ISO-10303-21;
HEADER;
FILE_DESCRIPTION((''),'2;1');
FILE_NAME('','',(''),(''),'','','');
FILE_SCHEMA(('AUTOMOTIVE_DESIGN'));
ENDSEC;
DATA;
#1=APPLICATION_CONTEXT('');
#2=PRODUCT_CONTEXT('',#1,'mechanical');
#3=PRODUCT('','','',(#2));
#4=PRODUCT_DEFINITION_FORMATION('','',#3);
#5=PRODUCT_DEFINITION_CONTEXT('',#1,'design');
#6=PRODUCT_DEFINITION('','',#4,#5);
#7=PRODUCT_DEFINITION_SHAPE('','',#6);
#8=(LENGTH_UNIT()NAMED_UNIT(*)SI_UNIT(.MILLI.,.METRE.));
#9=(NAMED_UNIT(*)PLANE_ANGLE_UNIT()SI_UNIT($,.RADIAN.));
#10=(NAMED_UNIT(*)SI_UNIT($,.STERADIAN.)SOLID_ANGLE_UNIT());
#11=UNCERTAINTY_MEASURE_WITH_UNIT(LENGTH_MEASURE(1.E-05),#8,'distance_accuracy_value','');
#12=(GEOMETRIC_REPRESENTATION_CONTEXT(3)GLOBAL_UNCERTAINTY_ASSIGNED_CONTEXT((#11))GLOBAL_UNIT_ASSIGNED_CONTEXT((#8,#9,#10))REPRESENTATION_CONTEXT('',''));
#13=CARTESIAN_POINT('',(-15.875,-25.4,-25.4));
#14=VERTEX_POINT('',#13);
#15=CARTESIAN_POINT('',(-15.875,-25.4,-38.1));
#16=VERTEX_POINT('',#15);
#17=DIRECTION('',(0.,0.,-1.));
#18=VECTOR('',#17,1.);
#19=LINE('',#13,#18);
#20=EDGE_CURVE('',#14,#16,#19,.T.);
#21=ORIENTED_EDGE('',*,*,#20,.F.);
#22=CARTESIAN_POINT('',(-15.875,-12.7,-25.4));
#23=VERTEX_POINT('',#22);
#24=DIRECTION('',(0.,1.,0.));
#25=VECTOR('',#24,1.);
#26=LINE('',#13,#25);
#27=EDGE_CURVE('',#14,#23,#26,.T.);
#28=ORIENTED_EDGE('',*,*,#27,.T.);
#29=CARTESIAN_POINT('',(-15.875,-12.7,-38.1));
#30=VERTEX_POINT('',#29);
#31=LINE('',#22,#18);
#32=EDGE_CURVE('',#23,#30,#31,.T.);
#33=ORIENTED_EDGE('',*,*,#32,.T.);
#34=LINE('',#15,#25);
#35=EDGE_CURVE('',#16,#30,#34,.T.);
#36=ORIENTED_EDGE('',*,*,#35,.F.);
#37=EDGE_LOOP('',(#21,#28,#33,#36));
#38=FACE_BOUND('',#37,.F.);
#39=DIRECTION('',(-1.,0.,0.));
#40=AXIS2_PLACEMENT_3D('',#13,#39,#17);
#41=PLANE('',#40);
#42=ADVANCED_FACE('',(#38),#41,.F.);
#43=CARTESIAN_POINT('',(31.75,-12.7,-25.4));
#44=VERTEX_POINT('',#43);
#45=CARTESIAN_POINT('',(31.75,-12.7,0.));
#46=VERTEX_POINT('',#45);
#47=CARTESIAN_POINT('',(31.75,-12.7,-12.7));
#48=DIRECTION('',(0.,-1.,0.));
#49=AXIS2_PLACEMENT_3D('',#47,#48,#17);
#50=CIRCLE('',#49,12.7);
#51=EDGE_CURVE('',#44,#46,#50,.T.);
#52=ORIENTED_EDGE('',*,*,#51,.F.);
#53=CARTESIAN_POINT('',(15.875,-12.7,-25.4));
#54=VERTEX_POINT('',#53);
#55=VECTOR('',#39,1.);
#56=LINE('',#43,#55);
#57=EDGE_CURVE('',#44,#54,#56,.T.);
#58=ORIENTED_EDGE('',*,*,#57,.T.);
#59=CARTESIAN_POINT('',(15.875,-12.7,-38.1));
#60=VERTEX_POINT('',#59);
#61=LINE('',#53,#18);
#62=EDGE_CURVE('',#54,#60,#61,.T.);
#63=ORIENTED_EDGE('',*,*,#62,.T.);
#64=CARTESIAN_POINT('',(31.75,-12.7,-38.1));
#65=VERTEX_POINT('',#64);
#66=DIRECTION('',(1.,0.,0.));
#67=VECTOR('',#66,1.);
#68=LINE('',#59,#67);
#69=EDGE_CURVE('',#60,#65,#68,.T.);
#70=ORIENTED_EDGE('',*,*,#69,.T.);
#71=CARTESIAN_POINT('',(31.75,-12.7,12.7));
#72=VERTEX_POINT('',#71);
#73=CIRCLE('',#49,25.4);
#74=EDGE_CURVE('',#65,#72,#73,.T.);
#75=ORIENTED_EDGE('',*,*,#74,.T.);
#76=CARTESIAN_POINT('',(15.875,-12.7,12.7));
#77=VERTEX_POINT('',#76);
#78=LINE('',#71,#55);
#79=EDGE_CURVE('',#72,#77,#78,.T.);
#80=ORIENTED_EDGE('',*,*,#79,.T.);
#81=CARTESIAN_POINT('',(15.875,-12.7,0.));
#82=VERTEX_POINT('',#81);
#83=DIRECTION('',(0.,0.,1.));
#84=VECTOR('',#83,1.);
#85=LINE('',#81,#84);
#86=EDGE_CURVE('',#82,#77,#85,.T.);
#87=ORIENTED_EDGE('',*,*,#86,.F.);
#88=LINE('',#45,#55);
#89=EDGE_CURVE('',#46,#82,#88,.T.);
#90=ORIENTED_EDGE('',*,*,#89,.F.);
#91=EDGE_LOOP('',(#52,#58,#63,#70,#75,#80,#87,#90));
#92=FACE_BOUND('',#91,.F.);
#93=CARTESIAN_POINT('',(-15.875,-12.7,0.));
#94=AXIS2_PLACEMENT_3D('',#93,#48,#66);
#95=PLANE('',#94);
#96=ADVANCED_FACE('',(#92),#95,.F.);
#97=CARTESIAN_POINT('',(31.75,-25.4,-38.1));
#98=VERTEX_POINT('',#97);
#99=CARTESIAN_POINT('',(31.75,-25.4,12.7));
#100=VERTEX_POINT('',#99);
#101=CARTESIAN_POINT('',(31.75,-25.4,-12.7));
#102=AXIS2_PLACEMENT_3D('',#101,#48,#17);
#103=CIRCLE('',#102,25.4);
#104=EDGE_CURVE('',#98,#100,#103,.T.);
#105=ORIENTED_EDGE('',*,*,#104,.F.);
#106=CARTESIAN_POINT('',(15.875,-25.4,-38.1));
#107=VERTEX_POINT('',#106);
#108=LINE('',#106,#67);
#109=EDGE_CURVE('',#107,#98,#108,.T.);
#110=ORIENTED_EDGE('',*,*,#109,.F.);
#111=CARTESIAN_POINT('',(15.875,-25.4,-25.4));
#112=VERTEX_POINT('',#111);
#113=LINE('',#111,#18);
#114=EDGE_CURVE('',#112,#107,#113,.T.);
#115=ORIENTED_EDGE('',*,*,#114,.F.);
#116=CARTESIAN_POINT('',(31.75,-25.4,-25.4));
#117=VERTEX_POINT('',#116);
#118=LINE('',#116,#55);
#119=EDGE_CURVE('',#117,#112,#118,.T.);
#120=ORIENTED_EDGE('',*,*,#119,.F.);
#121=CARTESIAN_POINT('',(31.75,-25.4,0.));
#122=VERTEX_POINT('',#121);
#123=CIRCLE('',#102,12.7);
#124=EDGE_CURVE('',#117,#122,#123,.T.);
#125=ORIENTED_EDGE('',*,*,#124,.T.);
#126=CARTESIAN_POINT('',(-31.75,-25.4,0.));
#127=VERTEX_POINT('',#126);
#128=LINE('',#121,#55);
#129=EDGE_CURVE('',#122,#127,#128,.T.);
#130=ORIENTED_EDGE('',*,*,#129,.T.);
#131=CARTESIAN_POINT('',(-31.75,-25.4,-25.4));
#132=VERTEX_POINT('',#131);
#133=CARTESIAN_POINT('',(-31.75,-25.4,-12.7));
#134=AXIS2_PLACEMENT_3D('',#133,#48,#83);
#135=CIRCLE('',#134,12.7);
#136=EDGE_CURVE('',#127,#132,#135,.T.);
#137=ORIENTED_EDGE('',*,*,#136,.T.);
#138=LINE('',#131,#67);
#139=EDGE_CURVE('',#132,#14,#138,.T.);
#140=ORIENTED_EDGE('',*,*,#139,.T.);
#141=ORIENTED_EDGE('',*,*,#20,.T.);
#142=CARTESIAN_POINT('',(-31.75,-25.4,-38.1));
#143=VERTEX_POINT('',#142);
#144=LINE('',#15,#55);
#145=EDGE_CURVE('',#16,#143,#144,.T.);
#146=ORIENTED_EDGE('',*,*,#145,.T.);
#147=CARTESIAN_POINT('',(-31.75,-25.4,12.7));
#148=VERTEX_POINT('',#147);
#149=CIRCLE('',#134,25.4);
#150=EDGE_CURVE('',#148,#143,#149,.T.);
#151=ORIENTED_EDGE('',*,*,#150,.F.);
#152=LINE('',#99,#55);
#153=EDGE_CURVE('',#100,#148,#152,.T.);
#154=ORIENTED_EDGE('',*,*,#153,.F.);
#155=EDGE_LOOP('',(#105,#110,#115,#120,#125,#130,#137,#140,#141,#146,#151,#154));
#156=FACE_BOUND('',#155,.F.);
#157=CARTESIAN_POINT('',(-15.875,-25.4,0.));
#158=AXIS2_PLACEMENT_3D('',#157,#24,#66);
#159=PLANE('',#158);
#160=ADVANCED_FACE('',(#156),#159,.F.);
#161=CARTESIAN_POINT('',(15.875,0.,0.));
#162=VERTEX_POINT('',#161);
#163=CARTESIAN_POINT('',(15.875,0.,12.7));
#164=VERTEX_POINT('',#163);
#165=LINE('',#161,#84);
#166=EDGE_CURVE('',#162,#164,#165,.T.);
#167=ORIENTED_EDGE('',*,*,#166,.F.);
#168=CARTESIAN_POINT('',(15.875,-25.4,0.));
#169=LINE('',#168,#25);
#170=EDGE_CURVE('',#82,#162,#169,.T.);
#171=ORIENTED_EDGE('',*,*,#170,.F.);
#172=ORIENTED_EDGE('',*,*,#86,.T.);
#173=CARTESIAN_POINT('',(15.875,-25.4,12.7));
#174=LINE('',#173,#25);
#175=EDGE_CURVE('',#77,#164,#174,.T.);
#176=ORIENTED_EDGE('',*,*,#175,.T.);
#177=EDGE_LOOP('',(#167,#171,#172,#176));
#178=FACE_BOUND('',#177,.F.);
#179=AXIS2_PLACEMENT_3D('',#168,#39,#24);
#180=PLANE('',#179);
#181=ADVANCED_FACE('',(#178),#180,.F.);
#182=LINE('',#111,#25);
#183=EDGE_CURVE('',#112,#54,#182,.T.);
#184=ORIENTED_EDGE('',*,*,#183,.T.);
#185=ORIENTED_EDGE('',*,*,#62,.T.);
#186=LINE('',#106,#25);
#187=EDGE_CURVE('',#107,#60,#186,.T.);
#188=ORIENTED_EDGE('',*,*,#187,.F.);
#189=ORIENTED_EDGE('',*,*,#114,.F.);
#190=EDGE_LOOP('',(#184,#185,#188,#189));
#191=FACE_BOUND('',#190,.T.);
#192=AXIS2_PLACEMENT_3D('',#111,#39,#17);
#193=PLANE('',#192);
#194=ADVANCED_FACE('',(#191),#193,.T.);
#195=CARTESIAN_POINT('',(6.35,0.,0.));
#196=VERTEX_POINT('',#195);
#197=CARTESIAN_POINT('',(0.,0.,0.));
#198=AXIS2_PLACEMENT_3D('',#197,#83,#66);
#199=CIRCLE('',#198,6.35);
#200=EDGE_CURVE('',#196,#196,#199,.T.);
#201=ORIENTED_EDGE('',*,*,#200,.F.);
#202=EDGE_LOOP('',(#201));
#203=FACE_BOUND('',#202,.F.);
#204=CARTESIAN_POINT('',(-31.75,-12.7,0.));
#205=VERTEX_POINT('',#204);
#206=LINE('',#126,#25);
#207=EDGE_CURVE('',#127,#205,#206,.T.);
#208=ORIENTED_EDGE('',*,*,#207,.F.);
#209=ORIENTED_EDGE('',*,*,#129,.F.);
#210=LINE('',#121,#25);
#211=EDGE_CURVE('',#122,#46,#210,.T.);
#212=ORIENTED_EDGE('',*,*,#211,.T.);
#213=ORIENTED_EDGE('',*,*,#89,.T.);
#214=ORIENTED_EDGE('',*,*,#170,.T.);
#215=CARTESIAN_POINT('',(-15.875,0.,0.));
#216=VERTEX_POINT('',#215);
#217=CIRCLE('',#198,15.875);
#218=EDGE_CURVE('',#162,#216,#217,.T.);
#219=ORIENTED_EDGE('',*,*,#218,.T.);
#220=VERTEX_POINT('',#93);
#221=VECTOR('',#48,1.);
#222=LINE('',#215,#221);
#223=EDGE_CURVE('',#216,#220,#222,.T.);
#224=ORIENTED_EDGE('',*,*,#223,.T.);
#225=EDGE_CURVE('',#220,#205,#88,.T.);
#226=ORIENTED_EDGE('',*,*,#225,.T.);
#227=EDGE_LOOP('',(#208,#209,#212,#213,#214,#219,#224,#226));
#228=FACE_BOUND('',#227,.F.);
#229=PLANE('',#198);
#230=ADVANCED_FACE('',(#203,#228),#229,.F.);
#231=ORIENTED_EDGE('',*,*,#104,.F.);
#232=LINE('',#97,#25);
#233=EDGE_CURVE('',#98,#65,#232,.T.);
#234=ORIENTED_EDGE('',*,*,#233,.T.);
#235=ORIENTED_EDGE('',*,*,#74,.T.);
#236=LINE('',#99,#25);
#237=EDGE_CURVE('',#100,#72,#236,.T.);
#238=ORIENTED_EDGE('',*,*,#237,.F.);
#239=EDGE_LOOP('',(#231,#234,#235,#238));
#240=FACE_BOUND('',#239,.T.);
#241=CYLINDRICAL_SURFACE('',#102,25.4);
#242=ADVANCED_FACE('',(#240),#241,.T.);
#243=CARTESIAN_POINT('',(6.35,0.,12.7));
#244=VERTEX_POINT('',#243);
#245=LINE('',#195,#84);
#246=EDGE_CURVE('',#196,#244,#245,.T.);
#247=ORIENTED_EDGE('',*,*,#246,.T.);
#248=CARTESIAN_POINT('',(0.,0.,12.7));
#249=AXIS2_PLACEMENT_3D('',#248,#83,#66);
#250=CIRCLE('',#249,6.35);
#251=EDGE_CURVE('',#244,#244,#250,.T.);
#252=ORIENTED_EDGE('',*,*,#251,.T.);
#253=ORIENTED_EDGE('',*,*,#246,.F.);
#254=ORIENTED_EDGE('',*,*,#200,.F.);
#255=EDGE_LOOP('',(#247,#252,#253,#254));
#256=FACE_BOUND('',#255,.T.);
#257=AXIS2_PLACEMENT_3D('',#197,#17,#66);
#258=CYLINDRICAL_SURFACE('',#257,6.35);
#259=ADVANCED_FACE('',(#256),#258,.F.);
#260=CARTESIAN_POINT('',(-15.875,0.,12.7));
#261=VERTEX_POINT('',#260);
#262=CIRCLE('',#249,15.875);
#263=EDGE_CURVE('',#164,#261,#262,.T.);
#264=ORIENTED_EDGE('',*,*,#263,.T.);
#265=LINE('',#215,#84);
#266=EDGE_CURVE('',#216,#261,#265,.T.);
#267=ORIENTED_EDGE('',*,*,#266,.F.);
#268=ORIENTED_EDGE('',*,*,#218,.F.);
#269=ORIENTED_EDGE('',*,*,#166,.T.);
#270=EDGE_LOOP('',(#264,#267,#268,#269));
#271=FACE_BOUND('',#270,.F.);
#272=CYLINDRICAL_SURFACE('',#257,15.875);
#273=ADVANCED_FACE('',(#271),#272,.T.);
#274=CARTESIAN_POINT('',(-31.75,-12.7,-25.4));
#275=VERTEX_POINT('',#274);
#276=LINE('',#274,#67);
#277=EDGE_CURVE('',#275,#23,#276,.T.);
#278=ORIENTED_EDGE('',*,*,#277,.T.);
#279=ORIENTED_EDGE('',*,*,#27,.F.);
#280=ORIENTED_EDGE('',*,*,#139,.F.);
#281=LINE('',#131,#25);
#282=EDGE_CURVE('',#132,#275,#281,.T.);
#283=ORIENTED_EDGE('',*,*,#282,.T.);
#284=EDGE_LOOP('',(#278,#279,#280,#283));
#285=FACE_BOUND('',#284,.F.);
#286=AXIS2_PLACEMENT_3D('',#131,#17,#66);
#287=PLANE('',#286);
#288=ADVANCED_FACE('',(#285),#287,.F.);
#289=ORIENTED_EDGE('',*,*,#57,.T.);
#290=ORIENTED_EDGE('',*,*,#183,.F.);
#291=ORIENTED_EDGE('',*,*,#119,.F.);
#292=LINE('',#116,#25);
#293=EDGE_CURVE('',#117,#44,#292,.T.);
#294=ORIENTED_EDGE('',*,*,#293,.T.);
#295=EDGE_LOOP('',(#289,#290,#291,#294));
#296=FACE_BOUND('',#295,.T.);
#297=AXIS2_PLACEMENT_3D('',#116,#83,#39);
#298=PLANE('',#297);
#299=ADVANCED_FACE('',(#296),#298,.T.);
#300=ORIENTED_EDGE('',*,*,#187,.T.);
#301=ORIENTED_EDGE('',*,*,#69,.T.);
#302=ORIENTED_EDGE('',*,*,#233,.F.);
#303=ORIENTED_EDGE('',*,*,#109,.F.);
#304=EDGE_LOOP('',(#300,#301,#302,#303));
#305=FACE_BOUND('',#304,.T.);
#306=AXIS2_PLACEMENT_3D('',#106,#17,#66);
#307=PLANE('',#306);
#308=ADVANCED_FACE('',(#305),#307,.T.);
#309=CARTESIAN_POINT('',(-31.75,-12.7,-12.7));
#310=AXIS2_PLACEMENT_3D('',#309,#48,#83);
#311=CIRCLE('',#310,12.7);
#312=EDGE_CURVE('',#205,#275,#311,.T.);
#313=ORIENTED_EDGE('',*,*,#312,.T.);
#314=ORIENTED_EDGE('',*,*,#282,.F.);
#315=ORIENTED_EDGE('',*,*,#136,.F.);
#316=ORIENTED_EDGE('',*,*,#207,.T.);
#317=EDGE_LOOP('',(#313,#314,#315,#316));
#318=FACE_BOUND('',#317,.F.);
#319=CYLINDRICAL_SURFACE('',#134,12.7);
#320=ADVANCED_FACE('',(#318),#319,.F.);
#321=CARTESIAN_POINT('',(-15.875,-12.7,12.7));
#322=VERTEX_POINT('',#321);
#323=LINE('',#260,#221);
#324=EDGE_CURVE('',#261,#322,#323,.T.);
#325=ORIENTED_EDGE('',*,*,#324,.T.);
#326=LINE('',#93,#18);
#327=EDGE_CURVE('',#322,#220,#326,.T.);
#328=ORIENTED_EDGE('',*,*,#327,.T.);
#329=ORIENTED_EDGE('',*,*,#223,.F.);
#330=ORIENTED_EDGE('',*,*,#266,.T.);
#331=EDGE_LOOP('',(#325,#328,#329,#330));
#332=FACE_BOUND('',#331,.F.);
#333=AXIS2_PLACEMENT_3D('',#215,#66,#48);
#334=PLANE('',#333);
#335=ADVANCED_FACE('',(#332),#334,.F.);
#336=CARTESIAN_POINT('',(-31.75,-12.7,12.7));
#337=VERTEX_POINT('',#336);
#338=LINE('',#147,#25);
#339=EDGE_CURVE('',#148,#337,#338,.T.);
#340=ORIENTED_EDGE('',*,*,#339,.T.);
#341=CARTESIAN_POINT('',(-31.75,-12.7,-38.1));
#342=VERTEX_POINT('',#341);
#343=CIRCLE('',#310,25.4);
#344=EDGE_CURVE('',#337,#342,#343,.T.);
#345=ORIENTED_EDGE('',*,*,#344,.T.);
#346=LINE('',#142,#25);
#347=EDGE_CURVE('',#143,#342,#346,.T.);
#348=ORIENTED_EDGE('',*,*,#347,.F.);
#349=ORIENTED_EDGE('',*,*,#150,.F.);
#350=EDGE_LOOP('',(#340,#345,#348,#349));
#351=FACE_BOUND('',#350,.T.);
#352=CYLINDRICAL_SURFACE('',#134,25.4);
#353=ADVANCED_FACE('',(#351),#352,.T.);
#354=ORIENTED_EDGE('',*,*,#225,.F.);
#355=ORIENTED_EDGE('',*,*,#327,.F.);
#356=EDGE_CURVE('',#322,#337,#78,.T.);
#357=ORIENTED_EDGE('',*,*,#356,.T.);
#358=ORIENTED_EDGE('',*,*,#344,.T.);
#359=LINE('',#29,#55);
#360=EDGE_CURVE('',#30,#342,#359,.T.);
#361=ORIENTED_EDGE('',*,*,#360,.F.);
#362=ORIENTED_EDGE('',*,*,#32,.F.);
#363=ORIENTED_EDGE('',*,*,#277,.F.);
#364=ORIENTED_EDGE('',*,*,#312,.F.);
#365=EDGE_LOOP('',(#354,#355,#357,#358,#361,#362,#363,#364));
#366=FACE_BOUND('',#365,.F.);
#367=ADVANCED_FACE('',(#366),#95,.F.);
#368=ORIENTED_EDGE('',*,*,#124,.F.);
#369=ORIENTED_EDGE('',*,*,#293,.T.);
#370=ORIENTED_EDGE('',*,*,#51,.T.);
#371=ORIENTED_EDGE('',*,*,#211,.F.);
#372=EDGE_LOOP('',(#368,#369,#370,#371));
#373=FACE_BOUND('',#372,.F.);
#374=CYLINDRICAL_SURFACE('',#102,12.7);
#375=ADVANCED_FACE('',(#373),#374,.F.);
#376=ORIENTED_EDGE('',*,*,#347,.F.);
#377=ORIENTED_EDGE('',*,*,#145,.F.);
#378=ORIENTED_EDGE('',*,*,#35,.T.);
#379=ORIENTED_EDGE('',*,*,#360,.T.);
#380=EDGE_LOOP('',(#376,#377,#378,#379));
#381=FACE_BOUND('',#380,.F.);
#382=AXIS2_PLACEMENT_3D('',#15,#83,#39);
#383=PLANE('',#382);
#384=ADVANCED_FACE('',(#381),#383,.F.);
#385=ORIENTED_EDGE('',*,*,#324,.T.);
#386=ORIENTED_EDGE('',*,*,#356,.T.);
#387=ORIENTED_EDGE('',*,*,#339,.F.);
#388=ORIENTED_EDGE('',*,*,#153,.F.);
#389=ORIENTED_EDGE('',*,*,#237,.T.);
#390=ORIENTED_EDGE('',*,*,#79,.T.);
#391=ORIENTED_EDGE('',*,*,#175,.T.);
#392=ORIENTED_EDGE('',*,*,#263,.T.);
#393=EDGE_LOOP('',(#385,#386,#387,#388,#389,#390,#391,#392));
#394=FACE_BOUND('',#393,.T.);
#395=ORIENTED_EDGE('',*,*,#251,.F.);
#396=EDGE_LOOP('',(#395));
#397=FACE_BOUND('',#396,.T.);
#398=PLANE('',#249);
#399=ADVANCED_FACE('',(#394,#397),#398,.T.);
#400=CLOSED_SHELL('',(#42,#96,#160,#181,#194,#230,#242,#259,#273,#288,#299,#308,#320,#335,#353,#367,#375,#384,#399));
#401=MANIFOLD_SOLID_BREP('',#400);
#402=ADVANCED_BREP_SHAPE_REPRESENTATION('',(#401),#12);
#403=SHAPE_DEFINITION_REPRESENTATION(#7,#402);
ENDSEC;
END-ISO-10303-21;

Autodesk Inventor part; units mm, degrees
ref_plane "YZ Plane" through (0, 0, 0) normal (1, 0, 0) x (0, 1, 0)
ref_plane "XZ Plane" through (0, 0, 0) normal (0, 1, 0) x (-1, 0, 0)
ref_plane "XY Plane" through (0, 0, 0) normal (0, 0, 1) x (1, 0, 0)
sketch "Sketch2" plane through (0, 0, 0) normal (0, 0, 1) x (1, 0, 0)
  circle A0 centre (0, 0) radius 6.35
  arc A1 (15.875, 0) -> (-15.875, 0) centre (0, 0) ccw
  line L0 (-15.875, 0) -> (-15.875, -25.4)
  line L1 (-15.875, -25.4) -> (15.875, -25.4)
  line L2 (15.875, -25.4) -> (15.875, 0)
  dimension "d0" = 15.875
  dimension "d1" = 25.4
  dimension "d2" = 12.7
extrude "Extrusion1" add sketch "Sketch2" along normal blind 12.7
sketch "Sketch3" plane through (-15.875, -25.4, 0) normal (0, -1, 0) x (1, 0, 0)
  line L0 (0, 0) -> (31.75, 0) projected
  line L1 (47.625, 12.7) -> (-15.875, 12.7)
  arc A0 (47.625, -38.1) -> (47.625, 12.7) centre (47.625, -12.7) ccw
  arc A1 (-15.875, 12.7) -> (-15.875, -38.1) centre (-15.875, -12.7) ccw
  arc A2 (47.625, -25.4) -> (47.625, 0) centre (47.625, -12.7) ccw
  arc A3 (-15.875, 0) -> (-15.875, -25.4) centre (-15.875, -12.7) ccw
  line L2 (47.625, 0) -> (-15.875, 0)
  line L3 (0, 12.7) -> (31.75, 12.7) projected
  line L4 (47.625, -25.4) -> (31.75, -25.4)
  line L5 (31.75, -25.4) -> (31.75, -38.1)
  line L6 (31.75, -38.1) -> (47.625, -38.1)
  line L7 (-15.875, -25.4) -> (0, -25.4)
  line L8 (0, -25.4) -> (0, -38.1)
  line L9 (0, -38.1) -> (-15.875, -38.1)
  line L10 (9.525, 12.7) -> (22.225, 12.7) projected
  line L11 (9.525, 0) -> (22.225, 0) projected
  line L12 (9.525, 0) -> (22.225, 0) projected
  line L13 (15.875, 0) -> (15.875, -61.6403)
  dimension "d6" = 63.5
  dimension "d7" = 12.7
  dimension "d9" = 31.75
extrude "Extrusion2" add sketch "Sketch3" against normal blind 12.7
properties part number "CouplingBase"
